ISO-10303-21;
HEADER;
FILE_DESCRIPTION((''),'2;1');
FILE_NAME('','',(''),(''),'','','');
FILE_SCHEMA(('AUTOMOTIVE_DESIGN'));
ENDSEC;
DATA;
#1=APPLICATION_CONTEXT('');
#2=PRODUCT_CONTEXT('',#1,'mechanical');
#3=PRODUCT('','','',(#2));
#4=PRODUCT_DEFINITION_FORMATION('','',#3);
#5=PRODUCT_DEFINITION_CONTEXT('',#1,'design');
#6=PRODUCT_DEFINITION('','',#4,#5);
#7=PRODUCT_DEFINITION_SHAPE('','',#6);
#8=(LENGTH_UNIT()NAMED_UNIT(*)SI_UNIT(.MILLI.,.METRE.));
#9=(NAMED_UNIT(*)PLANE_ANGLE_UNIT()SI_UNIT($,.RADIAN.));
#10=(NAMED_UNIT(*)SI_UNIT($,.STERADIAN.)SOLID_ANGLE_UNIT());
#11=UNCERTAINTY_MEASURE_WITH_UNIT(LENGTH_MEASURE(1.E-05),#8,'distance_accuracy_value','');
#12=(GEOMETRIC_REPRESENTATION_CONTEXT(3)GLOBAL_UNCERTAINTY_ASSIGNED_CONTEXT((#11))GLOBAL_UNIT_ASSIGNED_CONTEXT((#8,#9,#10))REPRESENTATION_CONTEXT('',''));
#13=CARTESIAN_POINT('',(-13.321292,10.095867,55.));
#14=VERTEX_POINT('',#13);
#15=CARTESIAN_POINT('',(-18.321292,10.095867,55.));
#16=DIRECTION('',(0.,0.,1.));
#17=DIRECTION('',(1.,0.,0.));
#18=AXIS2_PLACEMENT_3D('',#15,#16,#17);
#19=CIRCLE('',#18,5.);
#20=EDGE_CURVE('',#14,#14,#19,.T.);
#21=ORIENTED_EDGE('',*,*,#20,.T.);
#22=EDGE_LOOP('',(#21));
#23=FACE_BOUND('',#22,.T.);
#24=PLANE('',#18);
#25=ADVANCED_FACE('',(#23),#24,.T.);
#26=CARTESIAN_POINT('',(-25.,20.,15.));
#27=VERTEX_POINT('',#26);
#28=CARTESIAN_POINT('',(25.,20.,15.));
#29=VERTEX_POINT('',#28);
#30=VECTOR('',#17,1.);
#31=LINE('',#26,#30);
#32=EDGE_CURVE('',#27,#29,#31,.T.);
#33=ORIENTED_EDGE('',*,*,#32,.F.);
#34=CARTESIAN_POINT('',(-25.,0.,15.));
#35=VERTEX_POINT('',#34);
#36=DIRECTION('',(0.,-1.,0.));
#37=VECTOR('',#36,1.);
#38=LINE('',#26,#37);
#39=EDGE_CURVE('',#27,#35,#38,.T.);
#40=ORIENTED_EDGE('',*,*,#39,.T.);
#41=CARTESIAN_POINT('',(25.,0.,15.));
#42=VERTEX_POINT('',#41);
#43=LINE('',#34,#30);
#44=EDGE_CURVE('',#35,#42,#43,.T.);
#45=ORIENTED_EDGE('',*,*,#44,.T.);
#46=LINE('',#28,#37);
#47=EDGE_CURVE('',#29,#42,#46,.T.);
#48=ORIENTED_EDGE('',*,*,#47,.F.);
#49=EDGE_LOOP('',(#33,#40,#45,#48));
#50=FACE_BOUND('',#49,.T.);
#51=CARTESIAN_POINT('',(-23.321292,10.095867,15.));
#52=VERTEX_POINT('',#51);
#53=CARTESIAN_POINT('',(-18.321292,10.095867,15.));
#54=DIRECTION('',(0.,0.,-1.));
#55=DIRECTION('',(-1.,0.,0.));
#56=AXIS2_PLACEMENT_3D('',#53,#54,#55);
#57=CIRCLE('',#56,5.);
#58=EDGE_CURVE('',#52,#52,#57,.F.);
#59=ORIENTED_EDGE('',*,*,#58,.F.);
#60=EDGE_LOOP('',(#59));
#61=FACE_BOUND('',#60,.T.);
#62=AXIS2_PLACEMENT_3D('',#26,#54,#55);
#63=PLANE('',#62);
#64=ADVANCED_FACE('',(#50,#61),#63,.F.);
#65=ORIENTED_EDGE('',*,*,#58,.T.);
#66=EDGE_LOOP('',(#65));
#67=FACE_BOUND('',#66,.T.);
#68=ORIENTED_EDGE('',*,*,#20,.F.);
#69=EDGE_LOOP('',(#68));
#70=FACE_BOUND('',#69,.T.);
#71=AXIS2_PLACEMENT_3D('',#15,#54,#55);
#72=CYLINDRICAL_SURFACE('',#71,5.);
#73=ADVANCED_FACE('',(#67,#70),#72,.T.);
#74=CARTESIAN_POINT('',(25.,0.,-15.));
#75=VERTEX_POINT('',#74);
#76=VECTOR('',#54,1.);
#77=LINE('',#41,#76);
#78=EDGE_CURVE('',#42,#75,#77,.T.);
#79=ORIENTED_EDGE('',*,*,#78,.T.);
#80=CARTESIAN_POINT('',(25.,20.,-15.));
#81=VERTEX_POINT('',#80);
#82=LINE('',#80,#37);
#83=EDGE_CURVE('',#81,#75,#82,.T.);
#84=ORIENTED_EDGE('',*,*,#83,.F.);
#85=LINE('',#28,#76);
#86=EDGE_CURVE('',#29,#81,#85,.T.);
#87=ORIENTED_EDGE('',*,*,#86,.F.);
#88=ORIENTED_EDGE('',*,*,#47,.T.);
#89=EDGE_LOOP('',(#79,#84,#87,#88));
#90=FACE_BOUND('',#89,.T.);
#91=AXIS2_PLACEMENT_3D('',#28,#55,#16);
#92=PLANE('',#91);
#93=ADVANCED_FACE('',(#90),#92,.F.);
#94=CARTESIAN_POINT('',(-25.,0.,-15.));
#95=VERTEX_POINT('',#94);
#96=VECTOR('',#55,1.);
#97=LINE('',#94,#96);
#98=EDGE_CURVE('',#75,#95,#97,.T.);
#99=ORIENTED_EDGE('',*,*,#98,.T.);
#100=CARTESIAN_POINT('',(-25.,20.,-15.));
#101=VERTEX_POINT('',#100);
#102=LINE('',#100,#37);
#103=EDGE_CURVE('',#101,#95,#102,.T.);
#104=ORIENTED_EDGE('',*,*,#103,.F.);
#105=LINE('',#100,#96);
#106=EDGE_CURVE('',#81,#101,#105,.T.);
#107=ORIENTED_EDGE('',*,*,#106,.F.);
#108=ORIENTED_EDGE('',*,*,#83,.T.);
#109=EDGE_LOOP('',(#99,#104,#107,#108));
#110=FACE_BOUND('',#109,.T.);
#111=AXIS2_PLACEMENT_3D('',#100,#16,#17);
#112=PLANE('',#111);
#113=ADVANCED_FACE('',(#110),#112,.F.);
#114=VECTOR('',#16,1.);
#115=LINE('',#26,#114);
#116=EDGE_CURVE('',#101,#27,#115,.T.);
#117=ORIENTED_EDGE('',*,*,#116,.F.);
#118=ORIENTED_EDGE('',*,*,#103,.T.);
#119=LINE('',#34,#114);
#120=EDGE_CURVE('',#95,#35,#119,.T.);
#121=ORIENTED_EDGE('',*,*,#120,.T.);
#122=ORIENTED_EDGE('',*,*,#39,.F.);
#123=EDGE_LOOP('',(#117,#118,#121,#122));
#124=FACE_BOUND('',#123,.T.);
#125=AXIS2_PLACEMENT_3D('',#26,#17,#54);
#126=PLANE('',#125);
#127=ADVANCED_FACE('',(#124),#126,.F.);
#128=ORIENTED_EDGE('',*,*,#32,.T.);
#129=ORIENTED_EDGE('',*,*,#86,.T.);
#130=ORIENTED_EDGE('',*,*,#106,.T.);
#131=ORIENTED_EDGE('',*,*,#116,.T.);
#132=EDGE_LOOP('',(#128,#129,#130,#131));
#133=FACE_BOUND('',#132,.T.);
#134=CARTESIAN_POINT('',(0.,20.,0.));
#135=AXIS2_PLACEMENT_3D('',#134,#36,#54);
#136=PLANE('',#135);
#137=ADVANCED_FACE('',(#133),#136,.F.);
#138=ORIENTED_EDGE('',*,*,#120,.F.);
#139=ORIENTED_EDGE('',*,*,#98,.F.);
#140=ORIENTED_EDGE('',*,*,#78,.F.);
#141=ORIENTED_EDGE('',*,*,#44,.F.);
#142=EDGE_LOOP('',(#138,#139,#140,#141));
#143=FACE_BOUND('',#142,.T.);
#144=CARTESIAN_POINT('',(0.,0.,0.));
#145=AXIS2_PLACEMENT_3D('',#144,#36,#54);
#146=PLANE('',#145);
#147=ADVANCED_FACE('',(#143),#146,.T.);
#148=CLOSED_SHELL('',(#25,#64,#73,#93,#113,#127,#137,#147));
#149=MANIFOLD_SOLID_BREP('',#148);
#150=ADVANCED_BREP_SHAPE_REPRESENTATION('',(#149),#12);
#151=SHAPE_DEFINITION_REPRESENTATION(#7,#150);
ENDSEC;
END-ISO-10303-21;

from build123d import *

# Parameters (mm, degrees)
SKETCH2_W           = 50
SKETCH2_H           = 30
BOSS_EXTRUDE1_DEPTH = 20
SKETCH3_R           = 5
BOSS_EXTRUDE2_DEPTH = 40


with BuildPart() as part:
    # Sketch2 → Boss-Extrude1 (new body)
    with BuildSketch(Plane(origin=(0, 0, 0), x_dir=(1, 0, 0), z_dir=(0, 1, 0))):
        Rectangle(SKETCH2_W, SKETCH2_H)
    extrude(amount=BOSS_EXTRUDE1_DEPTH)

    # Sketch3 → Boss-Extrude2 (add)
    with BuildSketch(Plane.XY.offset(15)):
        with Locations((-18.321291678, 10.095867224)):
            Circle(SKETCH3_R)
    extrude(amount=BOSS_EXTRUDE2_DEPTH)


solid = part.part
